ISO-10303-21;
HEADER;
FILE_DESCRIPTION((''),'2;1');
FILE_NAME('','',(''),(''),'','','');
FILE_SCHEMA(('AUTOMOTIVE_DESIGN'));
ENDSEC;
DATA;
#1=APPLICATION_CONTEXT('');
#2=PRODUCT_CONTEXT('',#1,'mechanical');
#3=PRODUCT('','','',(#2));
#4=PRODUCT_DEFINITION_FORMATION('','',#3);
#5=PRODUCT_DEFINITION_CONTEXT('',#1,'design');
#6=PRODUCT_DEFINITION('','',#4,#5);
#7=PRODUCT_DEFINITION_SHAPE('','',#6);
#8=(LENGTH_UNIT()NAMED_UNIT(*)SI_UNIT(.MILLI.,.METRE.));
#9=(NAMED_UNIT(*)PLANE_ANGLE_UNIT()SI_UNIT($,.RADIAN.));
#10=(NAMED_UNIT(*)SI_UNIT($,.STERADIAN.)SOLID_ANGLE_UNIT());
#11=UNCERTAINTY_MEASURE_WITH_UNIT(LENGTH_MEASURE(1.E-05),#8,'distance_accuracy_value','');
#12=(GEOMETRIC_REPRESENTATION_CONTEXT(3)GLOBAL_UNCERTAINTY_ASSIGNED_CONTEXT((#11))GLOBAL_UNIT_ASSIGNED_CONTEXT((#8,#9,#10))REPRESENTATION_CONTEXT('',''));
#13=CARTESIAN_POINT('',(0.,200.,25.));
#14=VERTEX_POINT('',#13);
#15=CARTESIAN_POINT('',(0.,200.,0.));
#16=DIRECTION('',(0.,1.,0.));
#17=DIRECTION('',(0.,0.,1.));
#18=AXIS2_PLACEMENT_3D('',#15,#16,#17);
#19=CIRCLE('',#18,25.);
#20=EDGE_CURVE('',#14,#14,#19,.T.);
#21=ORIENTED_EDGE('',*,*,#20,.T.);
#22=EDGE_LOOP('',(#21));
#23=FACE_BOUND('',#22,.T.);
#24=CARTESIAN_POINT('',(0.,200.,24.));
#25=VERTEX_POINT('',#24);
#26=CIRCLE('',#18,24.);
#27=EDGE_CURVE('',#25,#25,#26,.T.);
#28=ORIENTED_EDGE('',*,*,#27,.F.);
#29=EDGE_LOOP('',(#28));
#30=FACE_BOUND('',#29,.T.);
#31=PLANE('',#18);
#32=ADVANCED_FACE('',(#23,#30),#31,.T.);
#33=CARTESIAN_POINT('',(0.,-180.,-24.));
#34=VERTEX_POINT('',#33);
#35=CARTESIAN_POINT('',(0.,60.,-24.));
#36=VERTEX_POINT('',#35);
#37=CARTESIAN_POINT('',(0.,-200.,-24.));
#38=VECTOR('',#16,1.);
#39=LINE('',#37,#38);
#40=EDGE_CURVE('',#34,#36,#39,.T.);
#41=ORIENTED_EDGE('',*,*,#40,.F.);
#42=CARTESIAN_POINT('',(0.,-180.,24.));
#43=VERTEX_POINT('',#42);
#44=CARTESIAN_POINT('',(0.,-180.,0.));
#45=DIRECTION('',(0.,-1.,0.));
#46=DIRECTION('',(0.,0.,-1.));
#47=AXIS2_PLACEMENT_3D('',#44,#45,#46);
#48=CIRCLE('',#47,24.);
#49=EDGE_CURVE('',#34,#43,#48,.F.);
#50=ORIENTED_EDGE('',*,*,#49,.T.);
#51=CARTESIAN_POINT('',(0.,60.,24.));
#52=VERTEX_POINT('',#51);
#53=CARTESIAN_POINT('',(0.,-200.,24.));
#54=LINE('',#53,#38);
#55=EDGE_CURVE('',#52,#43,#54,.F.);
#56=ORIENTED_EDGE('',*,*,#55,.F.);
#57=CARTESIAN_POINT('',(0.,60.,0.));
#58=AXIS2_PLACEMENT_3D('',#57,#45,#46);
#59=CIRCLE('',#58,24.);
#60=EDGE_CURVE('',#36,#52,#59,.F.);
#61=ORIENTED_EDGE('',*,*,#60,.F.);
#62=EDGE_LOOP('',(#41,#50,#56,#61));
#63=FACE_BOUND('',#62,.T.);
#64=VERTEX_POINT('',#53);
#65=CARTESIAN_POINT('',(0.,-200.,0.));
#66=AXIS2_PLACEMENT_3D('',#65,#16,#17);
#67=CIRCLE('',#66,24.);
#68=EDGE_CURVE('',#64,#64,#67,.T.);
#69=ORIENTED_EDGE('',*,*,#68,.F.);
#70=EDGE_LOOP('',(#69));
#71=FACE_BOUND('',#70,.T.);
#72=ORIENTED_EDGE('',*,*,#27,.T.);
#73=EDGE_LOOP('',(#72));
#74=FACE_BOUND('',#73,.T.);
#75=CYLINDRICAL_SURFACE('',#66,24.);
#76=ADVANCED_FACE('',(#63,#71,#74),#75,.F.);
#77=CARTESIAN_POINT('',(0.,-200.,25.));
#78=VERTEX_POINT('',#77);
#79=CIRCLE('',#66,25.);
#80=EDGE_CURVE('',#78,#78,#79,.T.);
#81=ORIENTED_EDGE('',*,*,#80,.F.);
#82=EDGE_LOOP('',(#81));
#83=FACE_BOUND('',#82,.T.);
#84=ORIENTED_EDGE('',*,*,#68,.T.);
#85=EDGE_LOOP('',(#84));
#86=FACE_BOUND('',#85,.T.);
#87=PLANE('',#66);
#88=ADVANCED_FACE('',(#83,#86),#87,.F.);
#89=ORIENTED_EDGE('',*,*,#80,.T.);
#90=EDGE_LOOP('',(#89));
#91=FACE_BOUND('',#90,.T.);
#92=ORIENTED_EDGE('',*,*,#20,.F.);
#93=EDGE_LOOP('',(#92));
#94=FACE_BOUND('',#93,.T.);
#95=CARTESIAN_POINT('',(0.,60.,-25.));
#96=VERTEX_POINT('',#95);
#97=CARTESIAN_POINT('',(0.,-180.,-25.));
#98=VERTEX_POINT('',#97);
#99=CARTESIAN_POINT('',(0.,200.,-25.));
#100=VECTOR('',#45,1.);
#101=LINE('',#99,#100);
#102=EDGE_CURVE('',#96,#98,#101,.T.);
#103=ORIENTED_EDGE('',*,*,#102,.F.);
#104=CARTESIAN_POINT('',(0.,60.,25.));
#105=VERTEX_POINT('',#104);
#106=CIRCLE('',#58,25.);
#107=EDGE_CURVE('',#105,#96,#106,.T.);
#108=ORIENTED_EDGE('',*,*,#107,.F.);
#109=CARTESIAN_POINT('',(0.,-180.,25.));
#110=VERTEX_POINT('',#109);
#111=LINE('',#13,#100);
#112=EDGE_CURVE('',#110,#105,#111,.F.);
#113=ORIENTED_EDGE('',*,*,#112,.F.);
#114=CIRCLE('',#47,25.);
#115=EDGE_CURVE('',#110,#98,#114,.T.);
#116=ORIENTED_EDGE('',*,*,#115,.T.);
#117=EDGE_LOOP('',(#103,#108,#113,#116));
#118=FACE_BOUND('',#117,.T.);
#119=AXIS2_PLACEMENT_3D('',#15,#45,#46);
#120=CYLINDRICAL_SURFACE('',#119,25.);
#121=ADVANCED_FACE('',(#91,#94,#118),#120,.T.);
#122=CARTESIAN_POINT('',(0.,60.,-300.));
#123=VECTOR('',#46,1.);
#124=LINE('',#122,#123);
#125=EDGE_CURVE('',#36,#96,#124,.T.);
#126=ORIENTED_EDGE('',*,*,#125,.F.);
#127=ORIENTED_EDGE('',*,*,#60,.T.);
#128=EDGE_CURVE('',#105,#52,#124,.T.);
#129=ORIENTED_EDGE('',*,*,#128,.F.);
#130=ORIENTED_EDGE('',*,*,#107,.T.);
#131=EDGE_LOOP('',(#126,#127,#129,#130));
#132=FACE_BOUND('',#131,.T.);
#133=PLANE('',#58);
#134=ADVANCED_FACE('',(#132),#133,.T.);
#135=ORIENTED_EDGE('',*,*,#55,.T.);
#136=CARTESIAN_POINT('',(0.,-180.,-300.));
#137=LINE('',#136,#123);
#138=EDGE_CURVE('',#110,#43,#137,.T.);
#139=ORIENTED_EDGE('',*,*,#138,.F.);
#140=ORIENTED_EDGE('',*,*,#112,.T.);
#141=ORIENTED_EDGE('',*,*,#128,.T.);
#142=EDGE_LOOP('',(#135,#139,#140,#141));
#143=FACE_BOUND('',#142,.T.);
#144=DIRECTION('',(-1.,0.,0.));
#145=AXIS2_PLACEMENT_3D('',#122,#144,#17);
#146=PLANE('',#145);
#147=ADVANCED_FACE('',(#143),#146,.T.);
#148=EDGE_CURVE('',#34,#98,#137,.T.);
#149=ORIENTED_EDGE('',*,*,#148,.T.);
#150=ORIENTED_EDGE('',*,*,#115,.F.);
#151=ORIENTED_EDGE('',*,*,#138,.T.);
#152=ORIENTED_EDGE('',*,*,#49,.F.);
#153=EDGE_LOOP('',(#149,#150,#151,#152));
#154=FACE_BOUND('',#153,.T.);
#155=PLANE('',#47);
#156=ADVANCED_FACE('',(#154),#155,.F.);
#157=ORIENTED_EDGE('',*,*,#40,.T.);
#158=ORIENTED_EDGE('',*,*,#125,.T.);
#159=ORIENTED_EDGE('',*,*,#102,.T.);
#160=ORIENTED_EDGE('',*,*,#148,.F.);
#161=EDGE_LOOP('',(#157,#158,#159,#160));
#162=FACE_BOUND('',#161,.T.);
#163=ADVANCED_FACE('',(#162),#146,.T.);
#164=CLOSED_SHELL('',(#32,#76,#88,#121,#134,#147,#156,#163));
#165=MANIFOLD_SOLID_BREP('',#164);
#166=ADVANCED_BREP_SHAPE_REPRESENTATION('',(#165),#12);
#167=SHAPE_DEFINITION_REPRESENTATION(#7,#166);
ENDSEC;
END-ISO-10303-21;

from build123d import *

# Parameters (mm, degrees)
BOSS_EXTRU_1_DEPTH           = 200
BOSS_EXTRU_1_DEPTH_BACK      = 200
ESQUISSE1_R                  = 25
ESQUISSE2_R                  = 24
ENL_V_MAT_EXTRU_1_DEPTH      = 400
ENL_V_MAT_EXTRU_2_DEPTH      = 60
ENL_V_MAT_EXTRU_2_DEPTH_BACK = 180
ESQUISSE3_W                  = 240
ESQUISSE3_H                  = 600


with BuildPart() as part:
    # Esquisse1 → Boss.-Extru.1 (new, two sides: drawn at the far end of the back side and taken through both)
    with BuildSketch(Plane(origin=(0, 0, 0), x_dir=(1, 0, 0), z_dir=(0, 1, 0)).offset(-BOSS_EXTRU_1_DEPTH_BACK)):
        Circle(ESQUISSE1_R)
    extrude(amount=BOSS_EXTRU_1_DEPTH + BOSS_EXTRU_1_DEPTH_BACK)

    # Esquisse2 → Enlèv. mat.-Extru.1 (cut)
    with BuildSketch(Plane(origin=(0, 200, 0), x_dir=(1, 0, 0), z_dir=(0, 1, 0))):
        Circle(ESQUISSE2_R)
    extrude(amount=-ENL_V_MAT_EXTRU_1_DEPTH, mode=Mode.SUBTRACT)

    # Esquisse3 → Enlèv. mat.-Extru.2 (cut, two sides: drawn at the far end of the back side and taken through both)
    with BuildSketch(Plane(origin=(0, 0, 0), x_dir=(1, 0, 0), z_dir=(0, 1, 0)).offset(-ENL_V_MAT_EXTRU_2_DEPTH_BACK)):
        with Locations((-120, 0)):
            Rectangle(ESQUISSE3_W, ESQUISSE3_H)
    extrude(amount=ENL_V_MAT_EXTRU_2_DEPTH + ENL_V_MAT_EXTRU_2_DEPTH_BACK, mode=Mode.SUBTRACT)


solid = part.part
